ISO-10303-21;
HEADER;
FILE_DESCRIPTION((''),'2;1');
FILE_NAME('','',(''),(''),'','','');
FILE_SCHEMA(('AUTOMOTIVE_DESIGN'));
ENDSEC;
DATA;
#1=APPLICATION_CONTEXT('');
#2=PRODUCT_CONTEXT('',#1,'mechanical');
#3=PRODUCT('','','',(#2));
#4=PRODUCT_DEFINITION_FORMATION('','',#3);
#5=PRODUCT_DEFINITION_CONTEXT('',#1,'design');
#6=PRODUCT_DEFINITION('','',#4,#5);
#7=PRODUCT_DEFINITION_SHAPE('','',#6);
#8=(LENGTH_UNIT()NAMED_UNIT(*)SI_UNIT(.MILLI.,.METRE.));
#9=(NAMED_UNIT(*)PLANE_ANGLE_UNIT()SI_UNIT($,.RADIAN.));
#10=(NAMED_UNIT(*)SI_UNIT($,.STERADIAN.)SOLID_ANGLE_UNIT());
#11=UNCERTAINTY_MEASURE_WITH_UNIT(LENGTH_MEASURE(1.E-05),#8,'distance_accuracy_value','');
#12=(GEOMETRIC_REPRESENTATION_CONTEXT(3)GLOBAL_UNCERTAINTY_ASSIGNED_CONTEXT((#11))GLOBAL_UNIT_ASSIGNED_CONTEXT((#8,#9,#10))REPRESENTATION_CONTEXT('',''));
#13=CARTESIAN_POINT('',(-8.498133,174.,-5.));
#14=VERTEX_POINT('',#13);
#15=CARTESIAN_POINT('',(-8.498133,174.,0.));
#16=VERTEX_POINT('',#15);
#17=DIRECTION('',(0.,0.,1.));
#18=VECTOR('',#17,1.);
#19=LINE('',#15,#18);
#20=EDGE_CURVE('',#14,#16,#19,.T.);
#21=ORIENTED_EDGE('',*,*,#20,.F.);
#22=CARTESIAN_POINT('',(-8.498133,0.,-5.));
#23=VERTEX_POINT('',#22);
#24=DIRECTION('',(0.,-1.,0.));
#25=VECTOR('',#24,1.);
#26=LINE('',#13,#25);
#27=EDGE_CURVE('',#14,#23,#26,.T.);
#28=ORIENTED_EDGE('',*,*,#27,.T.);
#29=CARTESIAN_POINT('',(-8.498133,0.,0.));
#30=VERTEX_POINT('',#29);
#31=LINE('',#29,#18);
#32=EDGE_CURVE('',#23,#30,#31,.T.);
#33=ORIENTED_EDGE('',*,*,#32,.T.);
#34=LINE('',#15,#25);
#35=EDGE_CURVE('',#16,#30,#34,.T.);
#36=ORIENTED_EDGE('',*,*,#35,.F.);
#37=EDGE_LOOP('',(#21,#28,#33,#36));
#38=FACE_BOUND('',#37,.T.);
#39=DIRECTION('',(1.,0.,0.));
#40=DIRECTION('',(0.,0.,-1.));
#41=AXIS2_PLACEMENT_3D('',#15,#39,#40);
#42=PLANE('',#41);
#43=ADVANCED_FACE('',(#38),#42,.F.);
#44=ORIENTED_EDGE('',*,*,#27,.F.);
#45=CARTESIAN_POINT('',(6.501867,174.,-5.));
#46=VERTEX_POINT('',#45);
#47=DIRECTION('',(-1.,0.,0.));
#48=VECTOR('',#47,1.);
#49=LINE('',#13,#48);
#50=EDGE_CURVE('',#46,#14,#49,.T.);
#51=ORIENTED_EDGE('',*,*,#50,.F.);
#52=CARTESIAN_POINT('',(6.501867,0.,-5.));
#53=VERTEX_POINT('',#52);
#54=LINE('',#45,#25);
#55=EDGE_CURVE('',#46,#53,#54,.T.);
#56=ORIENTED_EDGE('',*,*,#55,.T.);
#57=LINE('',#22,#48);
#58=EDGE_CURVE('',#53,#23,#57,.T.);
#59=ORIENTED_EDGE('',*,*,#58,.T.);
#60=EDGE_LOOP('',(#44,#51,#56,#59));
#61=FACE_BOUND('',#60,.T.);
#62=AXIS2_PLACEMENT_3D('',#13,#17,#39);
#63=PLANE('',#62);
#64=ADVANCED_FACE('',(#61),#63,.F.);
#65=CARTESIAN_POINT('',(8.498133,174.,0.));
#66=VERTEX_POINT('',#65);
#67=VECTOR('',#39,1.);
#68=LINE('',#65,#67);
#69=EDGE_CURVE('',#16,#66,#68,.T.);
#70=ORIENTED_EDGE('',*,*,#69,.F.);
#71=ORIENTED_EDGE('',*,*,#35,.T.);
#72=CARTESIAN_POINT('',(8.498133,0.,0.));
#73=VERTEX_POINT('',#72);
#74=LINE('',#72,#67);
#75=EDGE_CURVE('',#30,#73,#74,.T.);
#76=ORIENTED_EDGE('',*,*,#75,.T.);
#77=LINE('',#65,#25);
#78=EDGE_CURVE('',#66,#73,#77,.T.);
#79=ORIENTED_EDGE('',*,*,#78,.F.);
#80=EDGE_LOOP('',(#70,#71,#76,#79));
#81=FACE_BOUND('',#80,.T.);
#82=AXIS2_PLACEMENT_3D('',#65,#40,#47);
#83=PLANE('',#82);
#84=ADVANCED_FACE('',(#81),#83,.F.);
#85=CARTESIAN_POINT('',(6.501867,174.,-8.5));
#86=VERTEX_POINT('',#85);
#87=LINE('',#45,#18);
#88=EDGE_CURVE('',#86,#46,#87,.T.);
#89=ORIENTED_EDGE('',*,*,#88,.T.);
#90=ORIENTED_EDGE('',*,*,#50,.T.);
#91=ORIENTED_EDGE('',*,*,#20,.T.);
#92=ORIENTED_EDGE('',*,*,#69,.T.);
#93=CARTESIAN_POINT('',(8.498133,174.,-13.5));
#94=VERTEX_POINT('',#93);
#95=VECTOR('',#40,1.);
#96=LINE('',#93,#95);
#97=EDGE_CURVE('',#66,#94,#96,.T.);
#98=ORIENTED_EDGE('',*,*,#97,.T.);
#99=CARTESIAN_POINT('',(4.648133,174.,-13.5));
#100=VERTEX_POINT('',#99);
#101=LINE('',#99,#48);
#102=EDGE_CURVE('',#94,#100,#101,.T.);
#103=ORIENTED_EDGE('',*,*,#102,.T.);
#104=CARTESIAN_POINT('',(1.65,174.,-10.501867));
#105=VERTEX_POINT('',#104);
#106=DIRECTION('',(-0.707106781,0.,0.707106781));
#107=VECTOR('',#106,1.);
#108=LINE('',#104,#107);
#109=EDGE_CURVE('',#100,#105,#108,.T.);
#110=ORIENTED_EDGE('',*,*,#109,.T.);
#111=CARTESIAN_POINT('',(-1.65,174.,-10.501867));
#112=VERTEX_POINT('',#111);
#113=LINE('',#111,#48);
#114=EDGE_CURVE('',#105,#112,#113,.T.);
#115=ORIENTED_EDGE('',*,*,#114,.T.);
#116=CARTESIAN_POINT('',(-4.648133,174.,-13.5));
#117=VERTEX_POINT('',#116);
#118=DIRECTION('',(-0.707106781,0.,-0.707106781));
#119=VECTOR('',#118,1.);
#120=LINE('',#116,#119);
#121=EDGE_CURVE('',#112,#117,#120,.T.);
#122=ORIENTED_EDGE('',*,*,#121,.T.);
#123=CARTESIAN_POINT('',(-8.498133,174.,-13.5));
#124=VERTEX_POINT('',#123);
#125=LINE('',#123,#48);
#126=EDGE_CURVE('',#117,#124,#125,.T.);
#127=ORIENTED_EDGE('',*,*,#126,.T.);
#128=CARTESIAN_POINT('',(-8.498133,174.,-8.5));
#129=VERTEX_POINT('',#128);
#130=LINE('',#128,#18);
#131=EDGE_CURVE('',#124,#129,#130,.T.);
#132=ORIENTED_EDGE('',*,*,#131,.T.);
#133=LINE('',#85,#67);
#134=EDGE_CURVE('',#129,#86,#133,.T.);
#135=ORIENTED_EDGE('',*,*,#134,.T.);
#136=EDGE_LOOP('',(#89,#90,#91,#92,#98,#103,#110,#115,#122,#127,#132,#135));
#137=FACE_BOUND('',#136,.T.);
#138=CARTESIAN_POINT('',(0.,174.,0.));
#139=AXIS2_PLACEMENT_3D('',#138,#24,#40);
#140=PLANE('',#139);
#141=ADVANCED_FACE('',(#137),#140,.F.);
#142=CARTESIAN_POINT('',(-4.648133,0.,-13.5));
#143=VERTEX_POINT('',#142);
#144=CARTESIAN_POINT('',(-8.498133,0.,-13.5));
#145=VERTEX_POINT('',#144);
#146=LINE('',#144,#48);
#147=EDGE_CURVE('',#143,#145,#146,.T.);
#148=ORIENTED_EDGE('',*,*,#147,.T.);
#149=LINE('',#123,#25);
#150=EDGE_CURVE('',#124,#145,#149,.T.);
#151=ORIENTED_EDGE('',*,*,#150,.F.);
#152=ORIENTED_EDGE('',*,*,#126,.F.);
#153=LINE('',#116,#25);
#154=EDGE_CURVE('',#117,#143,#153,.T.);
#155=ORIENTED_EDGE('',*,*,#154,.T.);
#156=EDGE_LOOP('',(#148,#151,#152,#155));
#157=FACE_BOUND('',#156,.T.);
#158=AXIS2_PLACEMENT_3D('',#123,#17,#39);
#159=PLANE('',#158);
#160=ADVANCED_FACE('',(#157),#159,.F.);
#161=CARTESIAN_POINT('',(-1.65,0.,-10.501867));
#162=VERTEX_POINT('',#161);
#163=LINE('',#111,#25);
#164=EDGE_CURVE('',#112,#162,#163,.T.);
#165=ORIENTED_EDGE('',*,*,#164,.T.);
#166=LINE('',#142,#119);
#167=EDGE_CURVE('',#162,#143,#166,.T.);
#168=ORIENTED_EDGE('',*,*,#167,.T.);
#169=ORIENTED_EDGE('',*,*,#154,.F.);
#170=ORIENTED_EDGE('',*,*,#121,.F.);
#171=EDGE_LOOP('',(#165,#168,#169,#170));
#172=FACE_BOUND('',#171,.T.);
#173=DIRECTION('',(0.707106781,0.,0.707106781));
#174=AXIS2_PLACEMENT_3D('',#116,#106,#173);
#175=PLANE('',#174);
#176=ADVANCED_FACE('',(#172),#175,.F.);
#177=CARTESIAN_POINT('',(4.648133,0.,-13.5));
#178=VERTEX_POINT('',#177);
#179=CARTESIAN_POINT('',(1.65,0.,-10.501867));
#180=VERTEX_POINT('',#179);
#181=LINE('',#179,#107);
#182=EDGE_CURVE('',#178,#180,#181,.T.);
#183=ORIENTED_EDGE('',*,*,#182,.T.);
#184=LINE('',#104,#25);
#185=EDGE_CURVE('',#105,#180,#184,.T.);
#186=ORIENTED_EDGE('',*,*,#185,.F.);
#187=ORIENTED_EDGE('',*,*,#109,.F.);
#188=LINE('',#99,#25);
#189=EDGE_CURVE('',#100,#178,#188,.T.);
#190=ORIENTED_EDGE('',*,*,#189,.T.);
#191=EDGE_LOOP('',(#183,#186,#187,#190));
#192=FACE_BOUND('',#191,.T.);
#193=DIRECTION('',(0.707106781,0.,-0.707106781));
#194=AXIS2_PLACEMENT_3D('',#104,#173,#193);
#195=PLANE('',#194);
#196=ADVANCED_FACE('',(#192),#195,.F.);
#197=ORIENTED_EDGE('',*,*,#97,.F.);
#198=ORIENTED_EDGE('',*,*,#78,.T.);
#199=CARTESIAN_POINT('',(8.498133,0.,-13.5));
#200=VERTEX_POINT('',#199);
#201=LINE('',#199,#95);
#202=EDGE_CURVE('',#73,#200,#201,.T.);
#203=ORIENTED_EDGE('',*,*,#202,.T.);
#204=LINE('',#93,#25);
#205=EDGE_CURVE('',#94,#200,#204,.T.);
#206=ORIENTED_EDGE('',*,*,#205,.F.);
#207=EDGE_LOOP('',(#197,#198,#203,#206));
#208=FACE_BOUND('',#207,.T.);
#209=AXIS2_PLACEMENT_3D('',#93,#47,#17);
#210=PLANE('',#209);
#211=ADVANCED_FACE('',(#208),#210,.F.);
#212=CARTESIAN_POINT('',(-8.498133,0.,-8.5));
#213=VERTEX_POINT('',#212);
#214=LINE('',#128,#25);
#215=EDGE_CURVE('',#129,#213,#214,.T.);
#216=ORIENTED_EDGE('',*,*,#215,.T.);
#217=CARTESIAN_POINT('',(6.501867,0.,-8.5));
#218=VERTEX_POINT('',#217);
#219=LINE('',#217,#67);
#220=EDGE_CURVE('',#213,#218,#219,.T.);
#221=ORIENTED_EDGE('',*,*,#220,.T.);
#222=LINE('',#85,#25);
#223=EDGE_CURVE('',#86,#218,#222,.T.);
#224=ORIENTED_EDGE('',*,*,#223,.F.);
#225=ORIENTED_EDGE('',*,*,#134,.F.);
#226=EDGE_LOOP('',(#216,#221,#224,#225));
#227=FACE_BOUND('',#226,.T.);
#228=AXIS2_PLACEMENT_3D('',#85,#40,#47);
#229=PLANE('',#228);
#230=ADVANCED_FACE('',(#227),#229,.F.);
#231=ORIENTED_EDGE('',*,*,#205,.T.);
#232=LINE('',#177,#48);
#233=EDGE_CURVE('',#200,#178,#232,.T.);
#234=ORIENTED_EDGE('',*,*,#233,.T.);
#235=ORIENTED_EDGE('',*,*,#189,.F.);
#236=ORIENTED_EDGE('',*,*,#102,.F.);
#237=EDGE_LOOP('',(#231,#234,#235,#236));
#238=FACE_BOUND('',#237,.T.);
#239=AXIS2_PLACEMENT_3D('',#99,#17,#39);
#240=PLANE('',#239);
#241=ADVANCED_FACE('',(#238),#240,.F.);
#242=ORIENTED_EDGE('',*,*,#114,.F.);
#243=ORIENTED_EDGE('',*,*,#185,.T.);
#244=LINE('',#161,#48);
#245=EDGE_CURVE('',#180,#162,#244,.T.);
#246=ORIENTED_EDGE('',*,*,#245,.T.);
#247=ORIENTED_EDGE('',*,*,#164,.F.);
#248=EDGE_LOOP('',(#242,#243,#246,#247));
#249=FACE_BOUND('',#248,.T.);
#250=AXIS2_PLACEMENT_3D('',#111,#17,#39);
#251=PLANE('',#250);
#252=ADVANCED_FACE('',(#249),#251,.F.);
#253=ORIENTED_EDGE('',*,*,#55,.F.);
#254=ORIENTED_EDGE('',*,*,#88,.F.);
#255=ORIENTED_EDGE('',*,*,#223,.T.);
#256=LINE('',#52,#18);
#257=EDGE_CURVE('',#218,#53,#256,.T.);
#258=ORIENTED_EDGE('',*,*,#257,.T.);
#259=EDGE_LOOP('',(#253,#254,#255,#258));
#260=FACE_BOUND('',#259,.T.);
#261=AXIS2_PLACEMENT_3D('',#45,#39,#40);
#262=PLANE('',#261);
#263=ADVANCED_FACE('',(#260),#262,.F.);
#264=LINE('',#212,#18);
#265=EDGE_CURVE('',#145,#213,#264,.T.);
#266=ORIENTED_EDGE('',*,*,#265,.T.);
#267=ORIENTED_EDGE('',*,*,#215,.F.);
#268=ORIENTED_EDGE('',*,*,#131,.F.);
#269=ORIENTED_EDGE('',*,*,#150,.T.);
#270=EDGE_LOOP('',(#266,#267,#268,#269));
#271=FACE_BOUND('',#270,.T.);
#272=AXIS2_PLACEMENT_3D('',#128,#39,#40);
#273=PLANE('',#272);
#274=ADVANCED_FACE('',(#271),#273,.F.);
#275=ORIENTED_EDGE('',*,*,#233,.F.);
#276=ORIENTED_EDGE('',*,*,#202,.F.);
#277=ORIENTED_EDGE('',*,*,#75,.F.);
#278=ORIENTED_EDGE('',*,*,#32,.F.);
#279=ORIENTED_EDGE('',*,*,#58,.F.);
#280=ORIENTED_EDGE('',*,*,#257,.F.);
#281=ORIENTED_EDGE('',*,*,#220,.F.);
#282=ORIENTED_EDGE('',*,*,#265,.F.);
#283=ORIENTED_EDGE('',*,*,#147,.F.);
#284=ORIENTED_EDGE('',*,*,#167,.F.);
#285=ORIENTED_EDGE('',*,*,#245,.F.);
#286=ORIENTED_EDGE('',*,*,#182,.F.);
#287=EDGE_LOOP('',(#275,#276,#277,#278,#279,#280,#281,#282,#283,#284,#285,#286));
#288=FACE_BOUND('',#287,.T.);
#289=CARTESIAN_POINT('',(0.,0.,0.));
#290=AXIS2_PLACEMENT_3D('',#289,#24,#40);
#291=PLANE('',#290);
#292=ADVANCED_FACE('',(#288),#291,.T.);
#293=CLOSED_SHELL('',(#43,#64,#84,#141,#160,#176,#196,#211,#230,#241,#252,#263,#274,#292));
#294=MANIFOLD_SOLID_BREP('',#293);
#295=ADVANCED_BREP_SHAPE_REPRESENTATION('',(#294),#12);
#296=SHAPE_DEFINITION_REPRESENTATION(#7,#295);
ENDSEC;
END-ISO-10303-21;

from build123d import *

# Parameters (mm, degrees)
BOSS_EXTRUDE1_DEPTH = 174


with BuildPart() as part:
    # Sketch1 → Boss-Extrude1 (new body)
    with BuildSketch(Plane(origin=(0, 0, 0), x_dir=(1, 0, 0), z_dir=(0, 1, 0))):
        Polygon((-8.498132752, 13.5), (-4.648132752, 13.5), (-1.65, 10.501867248), (1.65, 10.501867248), (4.648132752, 13.5), (8.498132752, 13.5), (8.498132752, 0), (-8.498132752, 0), (-8.498132752, 5), (6.501867248, 5), (6.501867248, 8.5), (-8.498132752, 8.5), align=None)
    extrude(amount=BOSS_EXTRUDE1_DEPTH)


solid = part.part
